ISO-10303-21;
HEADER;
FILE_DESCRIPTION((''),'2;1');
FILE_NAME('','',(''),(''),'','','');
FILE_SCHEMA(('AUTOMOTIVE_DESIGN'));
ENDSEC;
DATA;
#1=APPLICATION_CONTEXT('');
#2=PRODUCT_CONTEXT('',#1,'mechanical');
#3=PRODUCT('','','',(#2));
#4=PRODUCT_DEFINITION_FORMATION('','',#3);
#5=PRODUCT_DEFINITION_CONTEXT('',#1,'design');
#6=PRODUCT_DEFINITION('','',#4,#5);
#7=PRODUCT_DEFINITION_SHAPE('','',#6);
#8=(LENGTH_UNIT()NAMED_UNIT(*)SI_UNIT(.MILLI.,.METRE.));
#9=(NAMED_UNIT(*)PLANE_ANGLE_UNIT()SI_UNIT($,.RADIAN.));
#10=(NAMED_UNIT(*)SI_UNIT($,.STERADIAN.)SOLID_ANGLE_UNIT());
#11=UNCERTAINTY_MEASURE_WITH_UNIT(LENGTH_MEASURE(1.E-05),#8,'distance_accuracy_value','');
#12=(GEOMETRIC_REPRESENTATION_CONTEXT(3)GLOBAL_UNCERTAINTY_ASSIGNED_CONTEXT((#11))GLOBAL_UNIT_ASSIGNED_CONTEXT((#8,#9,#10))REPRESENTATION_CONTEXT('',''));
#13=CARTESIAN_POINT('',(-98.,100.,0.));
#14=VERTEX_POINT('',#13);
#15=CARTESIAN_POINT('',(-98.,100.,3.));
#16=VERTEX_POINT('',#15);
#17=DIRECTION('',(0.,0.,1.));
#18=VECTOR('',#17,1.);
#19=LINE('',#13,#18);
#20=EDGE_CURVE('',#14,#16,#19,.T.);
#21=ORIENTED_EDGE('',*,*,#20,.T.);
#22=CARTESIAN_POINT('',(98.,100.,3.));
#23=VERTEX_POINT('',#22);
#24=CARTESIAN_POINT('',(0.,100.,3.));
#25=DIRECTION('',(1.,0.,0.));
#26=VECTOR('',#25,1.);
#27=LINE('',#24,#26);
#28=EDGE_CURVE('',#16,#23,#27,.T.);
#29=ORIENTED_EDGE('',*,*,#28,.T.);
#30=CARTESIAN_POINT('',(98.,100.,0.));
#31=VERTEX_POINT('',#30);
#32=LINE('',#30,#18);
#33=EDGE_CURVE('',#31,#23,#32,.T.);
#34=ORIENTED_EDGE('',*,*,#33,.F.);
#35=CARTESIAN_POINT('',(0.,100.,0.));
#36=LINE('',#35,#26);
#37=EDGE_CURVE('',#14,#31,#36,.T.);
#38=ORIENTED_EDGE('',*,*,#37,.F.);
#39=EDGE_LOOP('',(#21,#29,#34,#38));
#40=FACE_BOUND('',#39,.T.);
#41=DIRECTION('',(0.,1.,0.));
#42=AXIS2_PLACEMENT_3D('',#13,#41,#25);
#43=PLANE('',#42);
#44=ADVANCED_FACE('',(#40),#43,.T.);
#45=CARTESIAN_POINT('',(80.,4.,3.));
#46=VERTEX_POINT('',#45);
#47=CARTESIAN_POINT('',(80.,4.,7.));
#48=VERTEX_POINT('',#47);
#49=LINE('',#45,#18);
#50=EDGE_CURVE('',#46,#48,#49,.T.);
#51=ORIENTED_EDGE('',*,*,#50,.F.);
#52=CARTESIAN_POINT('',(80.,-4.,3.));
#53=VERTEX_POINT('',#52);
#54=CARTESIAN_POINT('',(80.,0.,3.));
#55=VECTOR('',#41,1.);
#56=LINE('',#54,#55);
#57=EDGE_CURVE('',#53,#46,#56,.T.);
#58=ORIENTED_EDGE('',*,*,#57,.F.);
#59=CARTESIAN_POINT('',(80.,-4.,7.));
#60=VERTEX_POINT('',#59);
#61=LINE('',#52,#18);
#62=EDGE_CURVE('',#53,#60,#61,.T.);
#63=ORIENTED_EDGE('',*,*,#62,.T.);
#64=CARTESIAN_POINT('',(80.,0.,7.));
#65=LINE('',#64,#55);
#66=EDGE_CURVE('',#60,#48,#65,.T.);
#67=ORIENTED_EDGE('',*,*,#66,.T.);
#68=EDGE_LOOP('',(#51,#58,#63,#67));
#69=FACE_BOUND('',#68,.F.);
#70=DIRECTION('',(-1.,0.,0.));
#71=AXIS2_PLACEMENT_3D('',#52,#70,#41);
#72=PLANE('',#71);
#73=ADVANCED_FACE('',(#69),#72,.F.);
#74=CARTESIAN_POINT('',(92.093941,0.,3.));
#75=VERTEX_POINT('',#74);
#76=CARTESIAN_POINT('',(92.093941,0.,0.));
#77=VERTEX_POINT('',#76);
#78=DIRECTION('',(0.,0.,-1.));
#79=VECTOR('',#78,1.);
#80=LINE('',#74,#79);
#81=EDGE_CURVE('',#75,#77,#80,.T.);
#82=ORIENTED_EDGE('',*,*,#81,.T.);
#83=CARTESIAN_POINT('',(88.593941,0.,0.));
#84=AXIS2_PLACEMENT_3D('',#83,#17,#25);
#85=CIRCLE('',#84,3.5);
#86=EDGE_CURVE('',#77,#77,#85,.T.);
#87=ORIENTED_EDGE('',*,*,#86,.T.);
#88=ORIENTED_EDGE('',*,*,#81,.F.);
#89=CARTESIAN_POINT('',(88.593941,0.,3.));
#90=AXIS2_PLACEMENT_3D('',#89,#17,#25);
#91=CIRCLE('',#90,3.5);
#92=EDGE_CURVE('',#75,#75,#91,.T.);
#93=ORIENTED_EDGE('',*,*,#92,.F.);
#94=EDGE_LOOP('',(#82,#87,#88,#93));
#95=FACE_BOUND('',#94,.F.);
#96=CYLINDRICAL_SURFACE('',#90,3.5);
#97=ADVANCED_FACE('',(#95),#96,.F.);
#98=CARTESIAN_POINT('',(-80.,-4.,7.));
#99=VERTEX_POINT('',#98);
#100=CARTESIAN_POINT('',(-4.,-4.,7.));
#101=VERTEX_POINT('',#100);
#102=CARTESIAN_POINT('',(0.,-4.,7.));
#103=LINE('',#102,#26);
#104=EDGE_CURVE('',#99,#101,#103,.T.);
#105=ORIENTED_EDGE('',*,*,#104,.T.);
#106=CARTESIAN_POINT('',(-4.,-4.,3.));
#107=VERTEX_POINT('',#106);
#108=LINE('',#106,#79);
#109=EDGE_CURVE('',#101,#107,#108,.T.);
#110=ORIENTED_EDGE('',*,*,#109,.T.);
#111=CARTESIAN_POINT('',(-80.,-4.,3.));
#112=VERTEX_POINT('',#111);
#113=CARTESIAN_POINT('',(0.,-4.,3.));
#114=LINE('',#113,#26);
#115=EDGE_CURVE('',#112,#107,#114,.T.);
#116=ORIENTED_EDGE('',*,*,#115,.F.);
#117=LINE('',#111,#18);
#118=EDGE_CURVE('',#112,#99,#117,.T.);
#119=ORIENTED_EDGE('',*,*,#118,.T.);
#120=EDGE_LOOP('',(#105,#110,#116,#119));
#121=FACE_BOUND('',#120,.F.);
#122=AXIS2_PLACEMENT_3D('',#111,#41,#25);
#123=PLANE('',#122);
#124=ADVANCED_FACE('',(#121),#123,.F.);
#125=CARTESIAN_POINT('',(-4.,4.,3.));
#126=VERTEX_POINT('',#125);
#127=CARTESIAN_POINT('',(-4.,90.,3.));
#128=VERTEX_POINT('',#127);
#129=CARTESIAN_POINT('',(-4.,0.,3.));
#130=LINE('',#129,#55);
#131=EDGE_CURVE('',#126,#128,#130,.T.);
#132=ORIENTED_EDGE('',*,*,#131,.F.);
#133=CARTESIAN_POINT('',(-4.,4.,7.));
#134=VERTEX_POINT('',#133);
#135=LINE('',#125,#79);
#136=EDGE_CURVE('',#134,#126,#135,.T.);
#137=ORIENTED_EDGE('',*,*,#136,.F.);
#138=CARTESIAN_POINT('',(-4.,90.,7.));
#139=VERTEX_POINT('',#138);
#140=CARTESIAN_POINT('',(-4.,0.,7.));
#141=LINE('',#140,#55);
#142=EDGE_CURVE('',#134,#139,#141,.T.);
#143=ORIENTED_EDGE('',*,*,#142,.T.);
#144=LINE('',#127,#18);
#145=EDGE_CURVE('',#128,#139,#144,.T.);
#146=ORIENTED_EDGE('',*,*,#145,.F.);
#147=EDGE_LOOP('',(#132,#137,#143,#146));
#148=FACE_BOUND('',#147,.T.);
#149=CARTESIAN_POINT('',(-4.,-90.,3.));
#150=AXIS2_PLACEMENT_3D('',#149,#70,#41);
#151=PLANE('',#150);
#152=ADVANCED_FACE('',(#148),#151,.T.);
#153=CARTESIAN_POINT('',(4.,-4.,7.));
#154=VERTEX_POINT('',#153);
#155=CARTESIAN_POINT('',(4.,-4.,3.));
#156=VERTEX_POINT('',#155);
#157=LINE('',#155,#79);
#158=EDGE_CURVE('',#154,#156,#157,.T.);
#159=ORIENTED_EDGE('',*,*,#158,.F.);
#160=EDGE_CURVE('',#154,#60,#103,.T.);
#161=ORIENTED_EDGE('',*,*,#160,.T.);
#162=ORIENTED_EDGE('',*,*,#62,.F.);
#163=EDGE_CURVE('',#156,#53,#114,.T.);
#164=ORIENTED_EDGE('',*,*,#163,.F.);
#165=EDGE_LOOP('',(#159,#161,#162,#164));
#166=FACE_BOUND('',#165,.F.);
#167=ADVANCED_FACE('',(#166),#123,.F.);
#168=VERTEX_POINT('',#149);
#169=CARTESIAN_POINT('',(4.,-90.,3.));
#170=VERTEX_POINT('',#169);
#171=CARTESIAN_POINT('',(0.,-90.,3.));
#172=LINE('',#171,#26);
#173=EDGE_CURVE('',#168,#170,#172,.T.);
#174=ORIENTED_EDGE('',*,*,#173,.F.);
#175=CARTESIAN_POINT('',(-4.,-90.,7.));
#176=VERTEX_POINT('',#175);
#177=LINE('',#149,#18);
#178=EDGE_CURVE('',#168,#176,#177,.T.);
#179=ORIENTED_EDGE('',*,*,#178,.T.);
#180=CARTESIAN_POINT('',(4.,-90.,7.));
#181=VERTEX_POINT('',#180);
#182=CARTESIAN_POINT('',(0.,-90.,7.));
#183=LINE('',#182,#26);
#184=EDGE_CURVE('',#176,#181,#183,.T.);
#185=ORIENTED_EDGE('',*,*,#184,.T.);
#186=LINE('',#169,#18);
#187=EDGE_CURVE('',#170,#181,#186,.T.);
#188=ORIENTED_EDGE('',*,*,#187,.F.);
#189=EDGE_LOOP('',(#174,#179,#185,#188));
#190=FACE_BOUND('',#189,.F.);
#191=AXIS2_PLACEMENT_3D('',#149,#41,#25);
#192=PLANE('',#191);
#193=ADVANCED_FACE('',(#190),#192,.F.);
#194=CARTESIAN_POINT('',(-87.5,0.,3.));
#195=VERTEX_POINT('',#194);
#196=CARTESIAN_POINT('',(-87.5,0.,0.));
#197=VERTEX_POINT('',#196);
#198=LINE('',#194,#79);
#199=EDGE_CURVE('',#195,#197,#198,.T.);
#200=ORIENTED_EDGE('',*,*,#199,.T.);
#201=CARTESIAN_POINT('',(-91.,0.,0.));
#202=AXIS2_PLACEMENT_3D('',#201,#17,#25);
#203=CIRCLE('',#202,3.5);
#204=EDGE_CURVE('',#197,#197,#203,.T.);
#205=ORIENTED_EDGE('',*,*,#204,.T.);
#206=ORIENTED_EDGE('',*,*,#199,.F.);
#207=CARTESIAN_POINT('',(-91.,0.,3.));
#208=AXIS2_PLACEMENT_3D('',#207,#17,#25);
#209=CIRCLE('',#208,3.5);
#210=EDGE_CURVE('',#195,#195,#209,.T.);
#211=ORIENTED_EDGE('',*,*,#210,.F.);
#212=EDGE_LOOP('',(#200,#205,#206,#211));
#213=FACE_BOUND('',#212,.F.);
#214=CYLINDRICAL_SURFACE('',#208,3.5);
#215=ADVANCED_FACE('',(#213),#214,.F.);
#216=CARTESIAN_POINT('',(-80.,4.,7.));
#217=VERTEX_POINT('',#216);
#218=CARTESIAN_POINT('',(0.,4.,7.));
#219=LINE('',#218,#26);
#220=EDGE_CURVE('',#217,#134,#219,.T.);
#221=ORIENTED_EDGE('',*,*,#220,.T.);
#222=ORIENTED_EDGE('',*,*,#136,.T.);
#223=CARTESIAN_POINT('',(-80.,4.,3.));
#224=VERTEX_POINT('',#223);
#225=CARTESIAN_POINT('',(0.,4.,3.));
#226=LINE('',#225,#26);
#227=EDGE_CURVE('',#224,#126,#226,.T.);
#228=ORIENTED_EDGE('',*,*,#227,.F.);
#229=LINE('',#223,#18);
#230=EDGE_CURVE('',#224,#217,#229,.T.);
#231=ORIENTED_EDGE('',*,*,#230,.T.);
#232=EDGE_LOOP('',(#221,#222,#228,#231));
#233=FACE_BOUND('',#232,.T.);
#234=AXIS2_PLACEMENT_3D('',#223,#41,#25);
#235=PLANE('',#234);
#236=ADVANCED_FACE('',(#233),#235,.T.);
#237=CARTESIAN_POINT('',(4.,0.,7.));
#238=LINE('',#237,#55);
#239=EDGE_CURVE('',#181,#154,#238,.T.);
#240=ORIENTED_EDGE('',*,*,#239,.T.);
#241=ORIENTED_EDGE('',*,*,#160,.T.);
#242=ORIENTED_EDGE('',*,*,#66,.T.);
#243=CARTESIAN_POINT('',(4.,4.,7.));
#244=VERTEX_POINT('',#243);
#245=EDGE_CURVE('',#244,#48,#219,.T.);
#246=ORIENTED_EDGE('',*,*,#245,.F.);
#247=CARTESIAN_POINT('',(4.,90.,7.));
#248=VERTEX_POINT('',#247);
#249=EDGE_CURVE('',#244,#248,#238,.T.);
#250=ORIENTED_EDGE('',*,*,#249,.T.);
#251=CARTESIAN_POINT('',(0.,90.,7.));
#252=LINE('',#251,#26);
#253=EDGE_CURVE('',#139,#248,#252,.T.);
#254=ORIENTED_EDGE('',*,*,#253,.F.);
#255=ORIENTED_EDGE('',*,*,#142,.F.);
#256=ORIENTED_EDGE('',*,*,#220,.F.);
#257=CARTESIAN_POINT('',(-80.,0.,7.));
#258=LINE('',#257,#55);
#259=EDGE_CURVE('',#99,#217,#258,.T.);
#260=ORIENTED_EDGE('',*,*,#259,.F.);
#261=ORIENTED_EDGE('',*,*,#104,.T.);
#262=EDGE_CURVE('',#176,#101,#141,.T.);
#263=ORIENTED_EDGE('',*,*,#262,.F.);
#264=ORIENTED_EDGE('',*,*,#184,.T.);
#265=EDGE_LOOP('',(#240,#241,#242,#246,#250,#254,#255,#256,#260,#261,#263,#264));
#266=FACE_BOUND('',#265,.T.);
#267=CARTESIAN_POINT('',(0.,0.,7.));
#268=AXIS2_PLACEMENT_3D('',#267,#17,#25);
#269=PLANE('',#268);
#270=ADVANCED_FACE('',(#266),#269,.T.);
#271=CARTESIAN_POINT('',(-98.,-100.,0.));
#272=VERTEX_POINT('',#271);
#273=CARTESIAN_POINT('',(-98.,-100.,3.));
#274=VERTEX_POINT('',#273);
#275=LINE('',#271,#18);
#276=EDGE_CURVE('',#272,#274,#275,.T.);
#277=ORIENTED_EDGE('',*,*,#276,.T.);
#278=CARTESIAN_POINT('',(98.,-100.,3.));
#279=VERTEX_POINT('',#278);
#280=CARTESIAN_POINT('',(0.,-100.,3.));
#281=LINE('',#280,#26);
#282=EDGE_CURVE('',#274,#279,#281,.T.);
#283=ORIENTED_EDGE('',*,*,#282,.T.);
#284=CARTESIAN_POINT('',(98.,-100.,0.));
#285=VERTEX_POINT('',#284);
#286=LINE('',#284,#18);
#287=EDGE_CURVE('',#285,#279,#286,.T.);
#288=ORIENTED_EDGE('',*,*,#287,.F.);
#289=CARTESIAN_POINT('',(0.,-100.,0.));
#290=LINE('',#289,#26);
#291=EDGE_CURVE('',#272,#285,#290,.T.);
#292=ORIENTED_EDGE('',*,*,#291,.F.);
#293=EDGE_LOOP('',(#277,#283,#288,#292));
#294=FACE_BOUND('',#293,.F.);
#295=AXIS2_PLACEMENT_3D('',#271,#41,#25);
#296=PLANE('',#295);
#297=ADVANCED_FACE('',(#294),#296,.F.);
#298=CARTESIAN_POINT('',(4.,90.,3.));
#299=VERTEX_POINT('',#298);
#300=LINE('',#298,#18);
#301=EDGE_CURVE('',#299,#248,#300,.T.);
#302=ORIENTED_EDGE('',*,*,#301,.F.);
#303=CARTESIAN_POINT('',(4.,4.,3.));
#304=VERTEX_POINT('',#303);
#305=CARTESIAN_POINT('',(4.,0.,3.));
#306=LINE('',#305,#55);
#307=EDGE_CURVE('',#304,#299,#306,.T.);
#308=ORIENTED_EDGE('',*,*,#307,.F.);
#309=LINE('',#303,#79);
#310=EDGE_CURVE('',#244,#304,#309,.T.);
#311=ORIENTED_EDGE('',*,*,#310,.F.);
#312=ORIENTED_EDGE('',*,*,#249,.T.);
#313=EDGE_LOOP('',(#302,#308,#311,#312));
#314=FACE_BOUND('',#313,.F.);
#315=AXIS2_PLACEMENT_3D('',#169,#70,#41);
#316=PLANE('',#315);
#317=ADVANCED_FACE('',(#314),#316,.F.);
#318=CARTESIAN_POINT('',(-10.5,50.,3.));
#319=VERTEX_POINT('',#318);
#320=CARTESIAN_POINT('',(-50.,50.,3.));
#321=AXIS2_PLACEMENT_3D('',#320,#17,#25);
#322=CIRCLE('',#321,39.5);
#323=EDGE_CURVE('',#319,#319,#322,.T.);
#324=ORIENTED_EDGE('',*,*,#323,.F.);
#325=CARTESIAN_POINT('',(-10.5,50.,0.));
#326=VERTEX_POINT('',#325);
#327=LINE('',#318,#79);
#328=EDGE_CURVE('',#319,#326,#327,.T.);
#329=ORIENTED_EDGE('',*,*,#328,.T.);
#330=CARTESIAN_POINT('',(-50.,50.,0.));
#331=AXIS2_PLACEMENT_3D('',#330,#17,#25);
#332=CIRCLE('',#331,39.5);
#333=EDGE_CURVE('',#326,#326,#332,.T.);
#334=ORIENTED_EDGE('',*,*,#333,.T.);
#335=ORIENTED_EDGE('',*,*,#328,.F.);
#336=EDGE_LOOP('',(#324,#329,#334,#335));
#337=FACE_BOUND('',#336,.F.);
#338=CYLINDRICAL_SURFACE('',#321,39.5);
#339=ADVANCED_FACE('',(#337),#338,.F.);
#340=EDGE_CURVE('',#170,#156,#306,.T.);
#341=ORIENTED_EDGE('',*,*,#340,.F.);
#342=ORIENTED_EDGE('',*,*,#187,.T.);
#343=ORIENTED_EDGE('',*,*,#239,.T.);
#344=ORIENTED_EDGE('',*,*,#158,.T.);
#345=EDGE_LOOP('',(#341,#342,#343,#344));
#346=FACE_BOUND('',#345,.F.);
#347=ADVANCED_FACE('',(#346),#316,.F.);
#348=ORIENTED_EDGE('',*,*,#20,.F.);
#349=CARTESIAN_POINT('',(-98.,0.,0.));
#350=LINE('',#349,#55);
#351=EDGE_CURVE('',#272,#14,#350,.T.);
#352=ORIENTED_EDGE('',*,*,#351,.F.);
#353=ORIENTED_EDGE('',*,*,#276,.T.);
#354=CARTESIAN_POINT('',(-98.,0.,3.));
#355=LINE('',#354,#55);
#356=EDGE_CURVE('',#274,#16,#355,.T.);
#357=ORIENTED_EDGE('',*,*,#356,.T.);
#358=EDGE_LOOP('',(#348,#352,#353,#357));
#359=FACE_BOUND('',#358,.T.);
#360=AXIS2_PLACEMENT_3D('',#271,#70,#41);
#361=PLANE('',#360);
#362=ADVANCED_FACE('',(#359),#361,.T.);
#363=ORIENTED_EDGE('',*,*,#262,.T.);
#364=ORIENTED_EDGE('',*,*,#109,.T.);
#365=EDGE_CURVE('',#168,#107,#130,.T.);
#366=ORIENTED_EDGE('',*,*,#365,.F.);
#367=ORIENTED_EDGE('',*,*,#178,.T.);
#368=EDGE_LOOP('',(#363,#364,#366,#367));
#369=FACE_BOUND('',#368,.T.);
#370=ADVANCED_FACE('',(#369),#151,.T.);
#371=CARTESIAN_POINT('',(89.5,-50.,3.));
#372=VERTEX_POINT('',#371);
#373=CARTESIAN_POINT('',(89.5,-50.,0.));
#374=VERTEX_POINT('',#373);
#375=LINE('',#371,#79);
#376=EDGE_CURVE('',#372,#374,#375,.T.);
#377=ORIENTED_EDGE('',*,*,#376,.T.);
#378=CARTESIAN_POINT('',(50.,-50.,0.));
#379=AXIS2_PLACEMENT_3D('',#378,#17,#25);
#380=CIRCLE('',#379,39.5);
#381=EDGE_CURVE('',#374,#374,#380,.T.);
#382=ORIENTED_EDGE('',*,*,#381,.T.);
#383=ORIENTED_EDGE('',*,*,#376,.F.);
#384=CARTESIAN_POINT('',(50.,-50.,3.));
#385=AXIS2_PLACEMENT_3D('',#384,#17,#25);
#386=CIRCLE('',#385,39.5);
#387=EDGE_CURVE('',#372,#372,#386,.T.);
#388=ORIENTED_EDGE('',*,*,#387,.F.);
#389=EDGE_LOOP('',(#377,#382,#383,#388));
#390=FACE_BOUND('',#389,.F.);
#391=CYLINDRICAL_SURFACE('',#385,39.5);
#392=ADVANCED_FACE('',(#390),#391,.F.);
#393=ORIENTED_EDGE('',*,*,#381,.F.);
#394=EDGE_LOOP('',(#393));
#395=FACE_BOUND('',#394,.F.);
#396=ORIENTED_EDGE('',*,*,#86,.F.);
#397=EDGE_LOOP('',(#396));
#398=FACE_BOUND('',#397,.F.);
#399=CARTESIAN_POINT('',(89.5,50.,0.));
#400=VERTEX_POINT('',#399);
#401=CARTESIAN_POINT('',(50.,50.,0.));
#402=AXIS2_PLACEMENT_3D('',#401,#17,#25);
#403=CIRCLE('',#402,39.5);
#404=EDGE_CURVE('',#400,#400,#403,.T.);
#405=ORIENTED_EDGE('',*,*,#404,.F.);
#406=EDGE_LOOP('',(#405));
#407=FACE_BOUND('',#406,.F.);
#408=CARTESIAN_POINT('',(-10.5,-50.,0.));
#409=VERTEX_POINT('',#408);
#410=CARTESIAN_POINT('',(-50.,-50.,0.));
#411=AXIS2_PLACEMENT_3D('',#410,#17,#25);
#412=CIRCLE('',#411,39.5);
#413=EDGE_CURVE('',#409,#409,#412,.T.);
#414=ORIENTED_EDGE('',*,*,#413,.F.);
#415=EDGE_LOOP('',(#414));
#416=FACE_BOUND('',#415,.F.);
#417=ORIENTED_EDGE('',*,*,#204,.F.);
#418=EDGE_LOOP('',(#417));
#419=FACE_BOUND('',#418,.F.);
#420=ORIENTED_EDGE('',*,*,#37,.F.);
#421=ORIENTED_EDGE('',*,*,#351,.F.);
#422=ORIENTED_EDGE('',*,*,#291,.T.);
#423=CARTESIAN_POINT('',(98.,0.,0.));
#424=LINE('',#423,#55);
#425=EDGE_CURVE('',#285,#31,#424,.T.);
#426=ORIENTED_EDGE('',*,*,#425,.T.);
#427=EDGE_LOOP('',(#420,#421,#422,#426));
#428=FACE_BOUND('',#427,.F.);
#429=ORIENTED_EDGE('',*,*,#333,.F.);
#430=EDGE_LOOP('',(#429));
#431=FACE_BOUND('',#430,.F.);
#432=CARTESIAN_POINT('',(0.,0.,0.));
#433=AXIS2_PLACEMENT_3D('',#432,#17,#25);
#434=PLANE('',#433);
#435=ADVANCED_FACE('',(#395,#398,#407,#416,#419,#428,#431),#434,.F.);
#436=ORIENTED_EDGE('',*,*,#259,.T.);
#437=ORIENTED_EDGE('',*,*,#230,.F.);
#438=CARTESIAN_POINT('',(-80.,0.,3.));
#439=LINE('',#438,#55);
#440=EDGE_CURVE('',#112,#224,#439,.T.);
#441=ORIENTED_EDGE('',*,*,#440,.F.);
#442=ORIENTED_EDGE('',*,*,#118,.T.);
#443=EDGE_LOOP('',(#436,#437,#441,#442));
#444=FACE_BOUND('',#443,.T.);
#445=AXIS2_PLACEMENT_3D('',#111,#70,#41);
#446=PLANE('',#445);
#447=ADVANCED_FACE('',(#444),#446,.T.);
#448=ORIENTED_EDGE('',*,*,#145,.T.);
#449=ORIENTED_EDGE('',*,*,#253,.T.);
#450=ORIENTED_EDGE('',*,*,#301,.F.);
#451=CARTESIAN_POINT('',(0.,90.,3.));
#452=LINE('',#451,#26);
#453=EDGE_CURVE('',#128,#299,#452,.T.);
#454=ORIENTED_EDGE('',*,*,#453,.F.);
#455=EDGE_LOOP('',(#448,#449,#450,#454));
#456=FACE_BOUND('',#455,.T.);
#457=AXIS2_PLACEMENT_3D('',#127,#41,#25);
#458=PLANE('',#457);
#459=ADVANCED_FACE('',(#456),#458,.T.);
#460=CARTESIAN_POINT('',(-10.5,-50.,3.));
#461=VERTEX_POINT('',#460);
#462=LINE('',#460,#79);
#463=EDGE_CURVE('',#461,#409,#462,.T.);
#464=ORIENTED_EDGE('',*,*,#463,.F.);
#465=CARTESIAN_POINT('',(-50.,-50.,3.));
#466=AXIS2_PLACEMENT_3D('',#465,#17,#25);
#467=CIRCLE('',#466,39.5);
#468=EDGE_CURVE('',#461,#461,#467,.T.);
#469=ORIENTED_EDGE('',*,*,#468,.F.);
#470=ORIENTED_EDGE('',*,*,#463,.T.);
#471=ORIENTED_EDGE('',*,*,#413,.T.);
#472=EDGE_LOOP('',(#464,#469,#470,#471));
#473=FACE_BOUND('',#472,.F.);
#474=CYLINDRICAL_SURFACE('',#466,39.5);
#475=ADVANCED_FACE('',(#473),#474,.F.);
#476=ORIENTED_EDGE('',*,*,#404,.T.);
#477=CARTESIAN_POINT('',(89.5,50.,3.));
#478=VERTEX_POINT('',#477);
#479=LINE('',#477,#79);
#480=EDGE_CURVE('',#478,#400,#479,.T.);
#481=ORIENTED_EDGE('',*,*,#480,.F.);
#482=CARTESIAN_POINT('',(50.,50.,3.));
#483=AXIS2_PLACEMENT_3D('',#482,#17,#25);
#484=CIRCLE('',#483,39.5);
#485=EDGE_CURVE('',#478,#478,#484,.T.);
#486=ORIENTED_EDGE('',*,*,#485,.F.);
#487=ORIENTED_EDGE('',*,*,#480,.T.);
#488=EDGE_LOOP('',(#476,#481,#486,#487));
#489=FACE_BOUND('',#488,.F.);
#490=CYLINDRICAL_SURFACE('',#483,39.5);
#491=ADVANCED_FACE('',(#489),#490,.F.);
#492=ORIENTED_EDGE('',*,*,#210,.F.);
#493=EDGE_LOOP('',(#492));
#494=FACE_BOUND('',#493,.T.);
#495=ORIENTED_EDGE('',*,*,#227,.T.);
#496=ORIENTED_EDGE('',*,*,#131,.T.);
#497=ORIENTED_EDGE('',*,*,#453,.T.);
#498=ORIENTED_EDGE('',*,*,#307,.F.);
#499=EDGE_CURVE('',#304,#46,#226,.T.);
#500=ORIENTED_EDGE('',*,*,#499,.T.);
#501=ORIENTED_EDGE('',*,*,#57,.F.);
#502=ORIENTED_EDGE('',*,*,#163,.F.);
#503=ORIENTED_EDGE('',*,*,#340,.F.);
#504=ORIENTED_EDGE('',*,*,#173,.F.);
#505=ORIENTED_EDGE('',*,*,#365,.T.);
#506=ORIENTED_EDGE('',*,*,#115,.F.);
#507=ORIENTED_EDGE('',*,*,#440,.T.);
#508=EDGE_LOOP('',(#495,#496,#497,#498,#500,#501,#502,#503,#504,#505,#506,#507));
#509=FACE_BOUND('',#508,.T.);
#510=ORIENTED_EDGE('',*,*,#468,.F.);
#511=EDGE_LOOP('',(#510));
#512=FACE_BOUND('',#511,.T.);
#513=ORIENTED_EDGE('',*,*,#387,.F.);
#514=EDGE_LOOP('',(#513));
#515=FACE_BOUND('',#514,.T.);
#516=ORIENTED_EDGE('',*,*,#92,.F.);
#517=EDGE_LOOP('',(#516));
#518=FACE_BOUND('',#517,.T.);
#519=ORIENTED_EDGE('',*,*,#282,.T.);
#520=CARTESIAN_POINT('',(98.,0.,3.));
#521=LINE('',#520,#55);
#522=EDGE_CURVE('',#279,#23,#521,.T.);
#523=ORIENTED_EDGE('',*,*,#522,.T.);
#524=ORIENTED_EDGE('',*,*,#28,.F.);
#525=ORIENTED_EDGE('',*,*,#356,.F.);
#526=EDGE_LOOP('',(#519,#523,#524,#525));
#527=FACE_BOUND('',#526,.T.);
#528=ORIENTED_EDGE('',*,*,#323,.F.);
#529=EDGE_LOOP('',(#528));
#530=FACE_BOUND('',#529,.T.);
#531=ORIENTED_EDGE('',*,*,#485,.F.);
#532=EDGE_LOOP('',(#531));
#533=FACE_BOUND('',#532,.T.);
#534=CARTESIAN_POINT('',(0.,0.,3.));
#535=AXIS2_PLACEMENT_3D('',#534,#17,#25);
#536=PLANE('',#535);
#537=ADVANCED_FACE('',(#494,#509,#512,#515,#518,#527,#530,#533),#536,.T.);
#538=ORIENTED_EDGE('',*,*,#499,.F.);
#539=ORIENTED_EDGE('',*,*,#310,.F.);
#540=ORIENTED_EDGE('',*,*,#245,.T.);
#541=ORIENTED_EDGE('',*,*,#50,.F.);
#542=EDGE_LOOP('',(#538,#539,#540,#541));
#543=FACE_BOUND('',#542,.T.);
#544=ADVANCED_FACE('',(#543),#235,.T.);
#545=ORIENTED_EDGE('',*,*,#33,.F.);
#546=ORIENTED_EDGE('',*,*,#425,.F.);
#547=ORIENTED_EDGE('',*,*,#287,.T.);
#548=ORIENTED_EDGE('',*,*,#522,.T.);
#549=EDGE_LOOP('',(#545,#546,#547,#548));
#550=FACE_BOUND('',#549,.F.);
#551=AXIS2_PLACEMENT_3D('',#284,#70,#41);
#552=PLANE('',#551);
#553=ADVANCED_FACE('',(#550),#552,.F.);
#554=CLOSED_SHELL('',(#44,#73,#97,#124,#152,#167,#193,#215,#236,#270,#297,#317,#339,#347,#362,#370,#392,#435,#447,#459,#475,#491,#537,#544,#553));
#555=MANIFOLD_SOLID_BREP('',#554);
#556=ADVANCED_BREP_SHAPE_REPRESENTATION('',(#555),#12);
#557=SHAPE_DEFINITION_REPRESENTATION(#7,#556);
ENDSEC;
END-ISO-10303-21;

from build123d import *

# Parameters (mm, degrees)
SKETCH_W        = 196
SKETCH_H        = 200
PAD_DEPTH       = 3
SKETCH001_R     = 39.5
POCKET_DEPTH    = 5
SKETCH002_R     = 3.5
POCKET001_DEPTH = 5
SKETCH003_W     = 8
SKETCH003_H     = 180
PAD001_DEPTH    = 4
SKETCH004_W     = 160
SKETCH004_H     = 8
PAD002_DEPTH    = 4


with BuildPart() as part:
    # Sketch → Pad (new body)
    with BuildSketch(Plane.XY):
        Rectangle(SKETCH_W, SKETCH_H)
    extrude(amount=PAD_DEPTH)

    # Sketch001 (on Face6 of Pad) → Pocket (cut)
    with BuildSketch(Plane.XY.offset(3)):
        with Locations((-50, 50)):
            Circle(SKETCH001_R)
        with Locations((50, 50)):
            Circle(SKETCH001_R)
        with Locations((50, -50)):
            Circle(SKETCH001_R)
        with Locations((-50, -50)):
            Circle(SKETCH001_R)
    extrude(amount=-POCKET_DEPTH, mode=Mode.SUBTRACT)

    # Sketch002 (on Face5 of Pocket) → Pocket001 (cut)
    with BuildSketch(Plane.XY.offset(3)):
        with Locations((-91, 0)):
            Circle(SKETCH002_R)
        with Locations((88.593941, 0)):
            Circle(SKETCH002_R)
    extrude(amount=-POCKET001_DEPTH, mode=Mode.SUBTRACT)

    # Sketch003 (on Face5 of Pocket001) → Pad001 (join)
    with BuildSketch(Plane.XY.offset(3)):
        Rectangle(SKETCH003_W, SKETCH003_H)
    extrude(amount=PAD001_DEPTH)

    # Sketch004 (on Face5 of Pad001) → Pad002 (join)
    with BuildSketch(Plane.XY.offset(3)):
        Rectangle(SKETCH004_W, SKETCH004_H)
    extrude(amount=PAD002_DEPTH)


solid = part.part
